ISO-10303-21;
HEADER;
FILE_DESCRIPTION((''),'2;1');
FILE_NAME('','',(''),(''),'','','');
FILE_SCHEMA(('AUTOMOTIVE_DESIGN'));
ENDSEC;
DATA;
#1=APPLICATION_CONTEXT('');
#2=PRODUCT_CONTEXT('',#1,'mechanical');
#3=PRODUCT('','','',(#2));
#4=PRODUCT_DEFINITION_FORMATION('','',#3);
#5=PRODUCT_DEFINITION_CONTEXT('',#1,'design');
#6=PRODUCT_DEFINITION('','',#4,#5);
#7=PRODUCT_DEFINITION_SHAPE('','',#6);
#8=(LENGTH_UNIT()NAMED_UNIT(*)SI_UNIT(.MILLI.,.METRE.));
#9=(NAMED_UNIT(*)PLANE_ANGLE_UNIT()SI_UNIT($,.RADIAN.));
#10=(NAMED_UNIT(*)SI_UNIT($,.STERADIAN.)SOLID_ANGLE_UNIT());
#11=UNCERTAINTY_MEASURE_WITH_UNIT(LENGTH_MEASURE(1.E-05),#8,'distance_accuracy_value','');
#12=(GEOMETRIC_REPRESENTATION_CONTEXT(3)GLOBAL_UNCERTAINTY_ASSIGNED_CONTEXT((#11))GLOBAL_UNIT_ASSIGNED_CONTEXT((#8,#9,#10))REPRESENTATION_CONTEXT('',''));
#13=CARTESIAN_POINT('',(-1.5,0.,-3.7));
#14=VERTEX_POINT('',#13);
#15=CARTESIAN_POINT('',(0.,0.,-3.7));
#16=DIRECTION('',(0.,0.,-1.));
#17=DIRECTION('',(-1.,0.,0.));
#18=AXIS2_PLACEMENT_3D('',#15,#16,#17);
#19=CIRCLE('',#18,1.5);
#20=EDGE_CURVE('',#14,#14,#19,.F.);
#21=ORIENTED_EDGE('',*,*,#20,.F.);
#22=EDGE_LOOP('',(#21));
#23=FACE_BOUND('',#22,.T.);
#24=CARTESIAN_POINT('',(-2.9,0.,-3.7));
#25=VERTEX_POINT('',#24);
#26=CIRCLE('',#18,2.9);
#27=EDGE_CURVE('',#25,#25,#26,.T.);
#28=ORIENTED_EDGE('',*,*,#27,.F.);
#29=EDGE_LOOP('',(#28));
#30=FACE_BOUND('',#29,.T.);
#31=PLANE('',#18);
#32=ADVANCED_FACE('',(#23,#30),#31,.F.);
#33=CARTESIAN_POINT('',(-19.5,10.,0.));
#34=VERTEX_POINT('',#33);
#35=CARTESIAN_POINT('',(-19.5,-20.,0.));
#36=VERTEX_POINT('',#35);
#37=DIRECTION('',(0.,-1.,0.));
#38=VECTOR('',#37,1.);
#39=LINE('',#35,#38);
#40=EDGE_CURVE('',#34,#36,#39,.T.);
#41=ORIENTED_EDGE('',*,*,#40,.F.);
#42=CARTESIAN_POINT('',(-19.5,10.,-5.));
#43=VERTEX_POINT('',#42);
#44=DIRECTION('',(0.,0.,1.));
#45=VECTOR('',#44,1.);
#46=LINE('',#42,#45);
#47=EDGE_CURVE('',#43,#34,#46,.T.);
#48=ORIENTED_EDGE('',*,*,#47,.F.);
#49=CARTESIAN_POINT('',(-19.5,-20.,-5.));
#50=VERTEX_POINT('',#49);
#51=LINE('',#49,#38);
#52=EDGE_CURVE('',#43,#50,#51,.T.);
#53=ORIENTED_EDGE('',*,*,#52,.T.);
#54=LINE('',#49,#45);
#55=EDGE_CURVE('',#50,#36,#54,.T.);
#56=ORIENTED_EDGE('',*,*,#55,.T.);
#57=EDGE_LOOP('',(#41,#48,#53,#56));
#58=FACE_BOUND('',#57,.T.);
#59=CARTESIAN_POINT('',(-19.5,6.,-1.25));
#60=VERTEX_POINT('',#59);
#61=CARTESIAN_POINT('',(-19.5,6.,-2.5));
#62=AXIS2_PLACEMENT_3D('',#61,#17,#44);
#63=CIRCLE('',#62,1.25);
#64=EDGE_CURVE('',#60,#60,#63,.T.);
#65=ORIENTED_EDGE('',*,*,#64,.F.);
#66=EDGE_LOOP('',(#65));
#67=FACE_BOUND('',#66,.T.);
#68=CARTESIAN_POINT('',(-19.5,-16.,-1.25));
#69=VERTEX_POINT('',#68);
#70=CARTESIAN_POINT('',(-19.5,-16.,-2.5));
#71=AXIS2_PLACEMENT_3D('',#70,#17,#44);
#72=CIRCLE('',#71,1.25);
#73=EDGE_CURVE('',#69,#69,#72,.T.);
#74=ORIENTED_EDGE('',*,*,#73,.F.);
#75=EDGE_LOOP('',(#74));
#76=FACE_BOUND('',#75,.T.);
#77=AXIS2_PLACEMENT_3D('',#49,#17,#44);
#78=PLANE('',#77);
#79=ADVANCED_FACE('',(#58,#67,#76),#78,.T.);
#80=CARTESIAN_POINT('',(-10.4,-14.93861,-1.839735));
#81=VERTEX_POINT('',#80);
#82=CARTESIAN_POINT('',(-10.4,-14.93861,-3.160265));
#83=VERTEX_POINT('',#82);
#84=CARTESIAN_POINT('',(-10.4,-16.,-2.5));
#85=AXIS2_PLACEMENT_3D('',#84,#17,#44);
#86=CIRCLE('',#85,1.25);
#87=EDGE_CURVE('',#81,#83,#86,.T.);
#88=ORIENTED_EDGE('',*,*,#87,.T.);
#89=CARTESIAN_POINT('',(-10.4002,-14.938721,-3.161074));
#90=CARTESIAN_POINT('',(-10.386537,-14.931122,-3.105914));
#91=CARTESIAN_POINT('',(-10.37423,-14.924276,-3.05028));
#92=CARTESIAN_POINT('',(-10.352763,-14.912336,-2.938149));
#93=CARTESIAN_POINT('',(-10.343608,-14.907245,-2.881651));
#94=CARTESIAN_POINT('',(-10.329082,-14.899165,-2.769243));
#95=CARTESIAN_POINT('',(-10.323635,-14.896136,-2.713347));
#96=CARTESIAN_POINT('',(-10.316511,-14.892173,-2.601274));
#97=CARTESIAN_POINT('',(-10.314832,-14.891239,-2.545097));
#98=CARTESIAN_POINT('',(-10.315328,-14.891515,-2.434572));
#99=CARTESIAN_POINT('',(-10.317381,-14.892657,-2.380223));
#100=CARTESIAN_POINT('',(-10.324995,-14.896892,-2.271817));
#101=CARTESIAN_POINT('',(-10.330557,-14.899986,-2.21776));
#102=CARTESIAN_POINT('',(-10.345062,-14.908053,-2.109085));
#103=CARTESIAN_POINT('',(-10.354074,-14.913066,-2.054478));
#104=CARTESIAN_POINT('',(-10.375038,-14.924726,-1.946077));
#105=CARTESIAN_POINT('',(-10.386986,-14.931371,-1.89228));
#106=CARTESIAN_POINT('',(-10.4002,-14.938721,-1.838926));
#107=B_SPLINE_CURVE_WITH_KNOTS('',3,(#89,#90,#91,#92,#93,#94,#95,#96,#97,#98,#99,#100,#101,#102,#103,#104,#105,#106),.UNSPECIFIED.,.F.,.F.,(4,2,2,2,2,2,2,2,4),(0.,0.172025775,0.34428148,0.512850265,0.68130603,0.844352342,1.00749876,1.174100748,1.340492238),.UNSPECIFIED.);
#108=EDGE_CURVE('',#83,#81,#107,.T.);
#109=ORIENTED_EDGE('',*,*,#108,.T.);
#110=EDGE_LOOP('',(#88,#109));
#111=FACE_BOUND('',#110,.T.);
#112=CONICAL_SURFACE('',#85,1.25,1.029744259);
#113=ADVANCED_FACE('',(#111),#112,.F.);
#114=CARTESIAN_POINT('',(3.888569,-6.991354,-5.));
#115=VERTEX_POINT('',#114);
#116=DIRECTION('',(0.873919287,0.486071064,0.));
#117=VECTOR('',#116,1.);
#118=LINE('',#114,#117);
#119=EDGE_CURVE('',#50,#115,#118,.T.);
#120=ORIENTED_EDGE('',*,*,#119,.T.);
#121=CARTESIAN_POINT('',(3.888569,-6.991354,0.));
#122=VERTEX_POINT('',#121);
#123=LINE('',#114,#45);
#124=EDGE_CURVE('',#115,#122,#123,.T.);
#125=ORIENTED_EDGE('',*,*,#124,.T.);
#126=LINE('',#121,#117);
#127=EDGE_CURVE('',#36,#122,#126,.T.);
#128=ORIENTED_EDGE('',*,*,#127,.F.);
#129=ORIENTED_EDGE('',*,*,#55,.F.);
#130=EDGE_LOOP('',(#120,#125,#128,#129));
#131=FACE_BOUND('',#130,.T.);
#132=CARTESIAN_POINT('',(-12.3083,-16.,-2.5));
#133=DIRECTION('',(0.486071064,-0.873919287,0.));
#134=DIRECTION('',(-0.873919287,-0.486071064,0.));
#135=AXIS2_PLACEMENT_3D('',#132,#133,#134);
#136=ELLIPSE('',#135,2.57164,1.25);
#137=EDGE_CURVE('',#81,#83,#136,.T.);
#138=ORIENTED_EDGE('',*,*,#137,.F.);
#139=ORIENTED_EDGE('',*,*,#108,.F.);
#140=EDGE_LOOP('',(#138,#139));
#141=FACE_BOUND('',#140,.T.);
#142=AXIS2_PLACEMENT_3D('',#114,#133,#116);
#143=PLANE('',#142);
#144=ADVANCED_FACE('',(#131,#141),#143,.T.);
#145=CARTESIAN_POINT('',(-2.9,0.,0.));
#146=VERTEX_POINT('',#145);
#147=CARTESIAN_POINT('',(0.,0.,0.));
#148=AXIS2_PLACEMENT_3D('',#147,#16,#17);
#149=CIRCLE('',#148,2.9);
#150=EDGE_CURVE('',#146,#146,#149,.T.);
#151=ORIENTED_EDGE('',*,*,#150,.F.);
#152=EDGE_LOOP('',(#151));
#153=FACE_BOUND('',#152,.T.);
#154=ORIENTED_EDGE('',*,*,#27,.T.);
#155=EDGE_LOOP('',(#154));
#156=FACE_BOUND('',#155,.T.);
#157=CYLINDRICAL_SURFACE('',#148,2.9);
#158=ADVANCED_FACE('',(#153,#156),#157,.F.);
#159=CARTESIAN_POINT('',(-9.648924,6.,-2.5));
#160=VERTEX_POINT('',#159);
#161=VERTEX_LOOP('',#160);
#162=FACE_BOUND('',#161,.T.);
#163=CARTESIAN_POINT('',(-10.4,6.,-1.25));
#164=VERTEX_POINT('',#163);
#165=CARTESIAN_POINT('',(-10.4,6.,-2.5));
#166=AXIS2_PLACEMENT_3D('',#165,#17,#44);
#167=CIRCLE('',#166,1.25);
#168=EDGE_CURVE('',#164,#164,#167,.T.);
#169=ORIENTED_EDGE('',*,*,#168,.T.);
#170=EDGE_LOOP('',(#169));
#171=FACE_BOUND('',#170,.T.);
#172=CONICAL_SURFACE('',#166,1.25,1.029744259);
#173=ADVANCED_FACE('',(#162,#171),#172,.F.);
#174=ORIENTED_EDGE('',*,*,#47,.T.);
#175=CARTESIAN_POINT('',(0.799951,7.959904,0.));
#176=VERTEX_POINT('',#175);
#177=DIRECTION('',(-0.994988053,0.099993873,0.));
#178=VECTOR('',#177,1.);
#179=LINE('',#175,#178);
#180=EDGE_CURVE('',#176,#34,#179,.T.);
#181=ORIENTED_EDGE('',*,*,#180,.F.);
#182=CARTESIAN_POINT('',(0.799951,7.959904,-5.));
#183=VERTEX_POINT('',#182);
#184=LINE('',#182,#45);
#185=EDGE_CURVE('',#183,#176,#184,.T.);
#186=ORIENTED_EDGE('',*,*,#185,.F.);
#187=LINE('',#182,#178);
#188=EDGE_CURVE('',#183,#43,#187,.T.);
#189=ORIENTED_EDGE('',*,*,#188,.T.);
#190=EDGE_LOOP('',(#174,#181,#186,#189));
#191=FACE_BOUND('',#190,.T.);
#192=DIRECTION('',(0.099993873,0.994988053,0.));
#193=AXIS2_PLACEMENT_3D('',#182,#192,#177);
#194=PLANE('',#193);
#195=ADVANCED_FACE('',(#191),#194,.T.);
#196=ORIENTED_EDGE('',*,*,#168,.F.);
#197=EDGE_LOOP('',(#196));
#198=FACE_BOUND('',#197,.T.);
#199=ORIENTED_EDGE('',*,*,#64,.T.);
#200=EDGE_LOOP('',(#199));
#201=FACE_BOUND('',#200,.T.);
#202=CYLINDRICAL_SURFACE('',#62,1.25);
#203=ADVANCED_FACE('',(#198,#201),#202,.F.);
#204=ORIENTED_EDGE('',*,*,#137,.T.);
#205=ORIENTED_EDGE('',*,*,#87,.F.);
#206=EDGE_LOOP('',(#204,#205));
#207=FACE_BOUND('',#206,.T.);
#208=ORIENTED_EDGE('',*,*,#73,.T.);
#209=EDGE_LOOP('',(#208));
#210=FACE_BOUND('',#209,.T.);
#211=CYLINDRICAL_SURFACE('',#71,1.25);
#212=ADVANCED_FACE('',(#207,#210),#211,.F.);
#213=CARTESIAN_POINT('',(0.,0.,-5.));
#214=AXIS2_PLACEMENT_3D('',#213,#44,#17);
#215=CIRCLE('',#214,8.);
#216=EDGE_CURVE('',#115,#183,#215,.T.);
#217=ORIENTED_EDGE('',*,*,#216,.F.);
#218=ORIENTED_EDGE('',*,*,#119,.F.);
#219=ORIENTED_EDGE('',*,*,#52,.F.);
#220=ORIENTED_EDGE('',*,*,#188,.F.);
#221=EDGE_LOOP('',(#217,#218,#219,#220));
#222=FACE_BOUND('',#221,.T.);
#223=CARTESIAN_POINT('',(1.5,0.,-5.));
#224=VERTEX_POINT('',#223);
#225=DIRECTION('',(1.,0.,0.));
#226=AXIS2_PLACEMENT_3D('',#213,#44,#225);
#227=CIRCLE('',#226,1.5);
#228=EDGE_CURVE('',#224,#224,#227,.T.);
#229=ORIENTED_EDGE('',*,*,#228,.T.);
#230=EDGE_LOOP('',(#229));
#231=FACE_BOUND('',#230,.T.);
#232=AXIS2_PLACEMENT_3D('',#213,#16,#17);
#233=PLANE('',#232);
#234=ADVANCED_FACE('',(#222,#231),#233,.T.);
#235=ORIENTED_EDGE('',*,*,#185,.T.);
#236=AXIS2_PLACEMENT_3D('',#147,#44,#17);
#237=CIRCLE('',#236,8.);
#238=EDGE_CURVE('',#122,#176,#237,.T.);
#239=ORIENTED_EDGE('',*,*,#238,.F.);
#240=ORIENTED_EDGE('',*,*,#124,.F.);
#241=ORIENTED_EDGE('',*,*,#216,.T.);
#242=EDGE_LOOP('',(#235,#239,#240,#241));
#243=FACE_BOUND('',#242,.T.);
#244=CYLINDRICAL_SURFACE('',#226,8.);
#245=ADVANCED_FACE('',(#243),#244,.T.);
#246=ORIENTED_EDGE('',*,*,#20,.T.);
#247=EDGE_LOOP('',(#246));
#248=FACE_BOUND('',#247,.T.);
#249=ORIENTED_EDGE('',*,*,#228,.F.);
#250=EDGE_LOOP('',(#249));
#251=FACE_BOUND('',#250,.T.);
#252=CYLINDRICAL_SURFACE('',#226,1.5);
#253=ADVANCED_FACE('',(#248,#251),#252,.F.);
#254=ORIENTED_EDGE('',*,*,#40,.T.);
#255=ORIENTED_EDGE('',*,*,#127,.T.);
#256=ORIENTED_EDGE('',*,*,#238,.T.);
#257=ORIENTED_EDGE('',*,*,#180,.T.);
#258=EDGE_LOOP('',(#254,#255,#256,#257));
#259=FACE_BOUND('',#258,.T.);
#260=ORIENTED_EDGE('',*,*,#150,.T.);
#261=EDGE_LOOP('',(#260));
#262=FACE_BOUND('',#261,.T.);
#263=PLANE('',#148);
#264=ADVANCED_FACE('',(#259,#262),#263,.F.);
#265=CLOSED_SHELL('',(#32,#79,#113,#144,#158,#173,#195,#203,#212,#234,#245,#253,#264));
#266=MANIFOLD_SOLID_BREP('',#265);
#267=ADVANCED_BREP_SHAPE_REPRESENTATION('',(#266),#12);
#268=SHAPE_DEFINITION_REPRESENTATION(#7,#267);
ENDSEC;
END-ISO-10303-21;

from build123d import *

# Parameters (mm, degrees)
ESQUISSE1_R               = 1.5
EXTRUSION1_DEPTH          = 5
ESQUISSE2_R               = 2.9
ENL_V_MAT_EXTRU_1_DEPTH   = 29.176940927
TROU_TARAUD_M3X0_51_D     = 2.5
TROU_TARAUD_M3X0_51_DEPTH = 9.1
TROU_TARAUD_M3X0_51_TIP   = 0.751075774


with BuildPart() as part:
    # Esquisse1 → Extrusion1 (new body)
    with BuildSketch(Plane.XY):
        with BuildLine():
            Line((0.799950986, 7.959904423), (-19.5, 10))
            Line((-19.5, 10), (-19.5, -20))
            Line((-19.5, -20), (3.888568512, -6.991354299))
            ThreePointArc((3.888568512, -6.991354299), (7.834576447, 1.618459728), (0.799950986, 7.959904423))
        make_face()
        Circle(ESQUISSE1_R, mode=Mode.SUBTRACT)
    extrude(amount=-EXTRUSION1_DEPTH)

    # Esquisse2 → Enlèv. mat.-Extru.1 (cut, through all)
    with BuildSketch(Plane(origin=(0, 0, -3.7), x_dir=(-1, 0, 0), z_dir=(0, 0, -1))):
        Circle(ESQUISSE2_R)
    extrude(amount=-ENL_V_MAT_EXTRU_1_DEPTH, mode=Mode.SUBTRACT)

    # Trou taraudé M3x0.51
    with Locations(Plane.ZY.offset(19.5)):
        with Locations((-2.5, 6), (-2.5, -16)):
            Hole(TROU_TARAUD_M3X0_51_D / 2, depth=TROU_TARAUD_M3X0_51_DEPTH)
            with Locations((0, 0, -(TROU_TARAUD_M3X0_51_DEPTH + TROU_TARAUD_M3X0_51_TIP / 2))):  # 118° drill point
                Cone(0, TROU_TARAUD_M3X0_51_D / 2, TROU_TARAUD_M3X0_51_TIP, mode=Mode.SUBTRACT)


solid = part.part
